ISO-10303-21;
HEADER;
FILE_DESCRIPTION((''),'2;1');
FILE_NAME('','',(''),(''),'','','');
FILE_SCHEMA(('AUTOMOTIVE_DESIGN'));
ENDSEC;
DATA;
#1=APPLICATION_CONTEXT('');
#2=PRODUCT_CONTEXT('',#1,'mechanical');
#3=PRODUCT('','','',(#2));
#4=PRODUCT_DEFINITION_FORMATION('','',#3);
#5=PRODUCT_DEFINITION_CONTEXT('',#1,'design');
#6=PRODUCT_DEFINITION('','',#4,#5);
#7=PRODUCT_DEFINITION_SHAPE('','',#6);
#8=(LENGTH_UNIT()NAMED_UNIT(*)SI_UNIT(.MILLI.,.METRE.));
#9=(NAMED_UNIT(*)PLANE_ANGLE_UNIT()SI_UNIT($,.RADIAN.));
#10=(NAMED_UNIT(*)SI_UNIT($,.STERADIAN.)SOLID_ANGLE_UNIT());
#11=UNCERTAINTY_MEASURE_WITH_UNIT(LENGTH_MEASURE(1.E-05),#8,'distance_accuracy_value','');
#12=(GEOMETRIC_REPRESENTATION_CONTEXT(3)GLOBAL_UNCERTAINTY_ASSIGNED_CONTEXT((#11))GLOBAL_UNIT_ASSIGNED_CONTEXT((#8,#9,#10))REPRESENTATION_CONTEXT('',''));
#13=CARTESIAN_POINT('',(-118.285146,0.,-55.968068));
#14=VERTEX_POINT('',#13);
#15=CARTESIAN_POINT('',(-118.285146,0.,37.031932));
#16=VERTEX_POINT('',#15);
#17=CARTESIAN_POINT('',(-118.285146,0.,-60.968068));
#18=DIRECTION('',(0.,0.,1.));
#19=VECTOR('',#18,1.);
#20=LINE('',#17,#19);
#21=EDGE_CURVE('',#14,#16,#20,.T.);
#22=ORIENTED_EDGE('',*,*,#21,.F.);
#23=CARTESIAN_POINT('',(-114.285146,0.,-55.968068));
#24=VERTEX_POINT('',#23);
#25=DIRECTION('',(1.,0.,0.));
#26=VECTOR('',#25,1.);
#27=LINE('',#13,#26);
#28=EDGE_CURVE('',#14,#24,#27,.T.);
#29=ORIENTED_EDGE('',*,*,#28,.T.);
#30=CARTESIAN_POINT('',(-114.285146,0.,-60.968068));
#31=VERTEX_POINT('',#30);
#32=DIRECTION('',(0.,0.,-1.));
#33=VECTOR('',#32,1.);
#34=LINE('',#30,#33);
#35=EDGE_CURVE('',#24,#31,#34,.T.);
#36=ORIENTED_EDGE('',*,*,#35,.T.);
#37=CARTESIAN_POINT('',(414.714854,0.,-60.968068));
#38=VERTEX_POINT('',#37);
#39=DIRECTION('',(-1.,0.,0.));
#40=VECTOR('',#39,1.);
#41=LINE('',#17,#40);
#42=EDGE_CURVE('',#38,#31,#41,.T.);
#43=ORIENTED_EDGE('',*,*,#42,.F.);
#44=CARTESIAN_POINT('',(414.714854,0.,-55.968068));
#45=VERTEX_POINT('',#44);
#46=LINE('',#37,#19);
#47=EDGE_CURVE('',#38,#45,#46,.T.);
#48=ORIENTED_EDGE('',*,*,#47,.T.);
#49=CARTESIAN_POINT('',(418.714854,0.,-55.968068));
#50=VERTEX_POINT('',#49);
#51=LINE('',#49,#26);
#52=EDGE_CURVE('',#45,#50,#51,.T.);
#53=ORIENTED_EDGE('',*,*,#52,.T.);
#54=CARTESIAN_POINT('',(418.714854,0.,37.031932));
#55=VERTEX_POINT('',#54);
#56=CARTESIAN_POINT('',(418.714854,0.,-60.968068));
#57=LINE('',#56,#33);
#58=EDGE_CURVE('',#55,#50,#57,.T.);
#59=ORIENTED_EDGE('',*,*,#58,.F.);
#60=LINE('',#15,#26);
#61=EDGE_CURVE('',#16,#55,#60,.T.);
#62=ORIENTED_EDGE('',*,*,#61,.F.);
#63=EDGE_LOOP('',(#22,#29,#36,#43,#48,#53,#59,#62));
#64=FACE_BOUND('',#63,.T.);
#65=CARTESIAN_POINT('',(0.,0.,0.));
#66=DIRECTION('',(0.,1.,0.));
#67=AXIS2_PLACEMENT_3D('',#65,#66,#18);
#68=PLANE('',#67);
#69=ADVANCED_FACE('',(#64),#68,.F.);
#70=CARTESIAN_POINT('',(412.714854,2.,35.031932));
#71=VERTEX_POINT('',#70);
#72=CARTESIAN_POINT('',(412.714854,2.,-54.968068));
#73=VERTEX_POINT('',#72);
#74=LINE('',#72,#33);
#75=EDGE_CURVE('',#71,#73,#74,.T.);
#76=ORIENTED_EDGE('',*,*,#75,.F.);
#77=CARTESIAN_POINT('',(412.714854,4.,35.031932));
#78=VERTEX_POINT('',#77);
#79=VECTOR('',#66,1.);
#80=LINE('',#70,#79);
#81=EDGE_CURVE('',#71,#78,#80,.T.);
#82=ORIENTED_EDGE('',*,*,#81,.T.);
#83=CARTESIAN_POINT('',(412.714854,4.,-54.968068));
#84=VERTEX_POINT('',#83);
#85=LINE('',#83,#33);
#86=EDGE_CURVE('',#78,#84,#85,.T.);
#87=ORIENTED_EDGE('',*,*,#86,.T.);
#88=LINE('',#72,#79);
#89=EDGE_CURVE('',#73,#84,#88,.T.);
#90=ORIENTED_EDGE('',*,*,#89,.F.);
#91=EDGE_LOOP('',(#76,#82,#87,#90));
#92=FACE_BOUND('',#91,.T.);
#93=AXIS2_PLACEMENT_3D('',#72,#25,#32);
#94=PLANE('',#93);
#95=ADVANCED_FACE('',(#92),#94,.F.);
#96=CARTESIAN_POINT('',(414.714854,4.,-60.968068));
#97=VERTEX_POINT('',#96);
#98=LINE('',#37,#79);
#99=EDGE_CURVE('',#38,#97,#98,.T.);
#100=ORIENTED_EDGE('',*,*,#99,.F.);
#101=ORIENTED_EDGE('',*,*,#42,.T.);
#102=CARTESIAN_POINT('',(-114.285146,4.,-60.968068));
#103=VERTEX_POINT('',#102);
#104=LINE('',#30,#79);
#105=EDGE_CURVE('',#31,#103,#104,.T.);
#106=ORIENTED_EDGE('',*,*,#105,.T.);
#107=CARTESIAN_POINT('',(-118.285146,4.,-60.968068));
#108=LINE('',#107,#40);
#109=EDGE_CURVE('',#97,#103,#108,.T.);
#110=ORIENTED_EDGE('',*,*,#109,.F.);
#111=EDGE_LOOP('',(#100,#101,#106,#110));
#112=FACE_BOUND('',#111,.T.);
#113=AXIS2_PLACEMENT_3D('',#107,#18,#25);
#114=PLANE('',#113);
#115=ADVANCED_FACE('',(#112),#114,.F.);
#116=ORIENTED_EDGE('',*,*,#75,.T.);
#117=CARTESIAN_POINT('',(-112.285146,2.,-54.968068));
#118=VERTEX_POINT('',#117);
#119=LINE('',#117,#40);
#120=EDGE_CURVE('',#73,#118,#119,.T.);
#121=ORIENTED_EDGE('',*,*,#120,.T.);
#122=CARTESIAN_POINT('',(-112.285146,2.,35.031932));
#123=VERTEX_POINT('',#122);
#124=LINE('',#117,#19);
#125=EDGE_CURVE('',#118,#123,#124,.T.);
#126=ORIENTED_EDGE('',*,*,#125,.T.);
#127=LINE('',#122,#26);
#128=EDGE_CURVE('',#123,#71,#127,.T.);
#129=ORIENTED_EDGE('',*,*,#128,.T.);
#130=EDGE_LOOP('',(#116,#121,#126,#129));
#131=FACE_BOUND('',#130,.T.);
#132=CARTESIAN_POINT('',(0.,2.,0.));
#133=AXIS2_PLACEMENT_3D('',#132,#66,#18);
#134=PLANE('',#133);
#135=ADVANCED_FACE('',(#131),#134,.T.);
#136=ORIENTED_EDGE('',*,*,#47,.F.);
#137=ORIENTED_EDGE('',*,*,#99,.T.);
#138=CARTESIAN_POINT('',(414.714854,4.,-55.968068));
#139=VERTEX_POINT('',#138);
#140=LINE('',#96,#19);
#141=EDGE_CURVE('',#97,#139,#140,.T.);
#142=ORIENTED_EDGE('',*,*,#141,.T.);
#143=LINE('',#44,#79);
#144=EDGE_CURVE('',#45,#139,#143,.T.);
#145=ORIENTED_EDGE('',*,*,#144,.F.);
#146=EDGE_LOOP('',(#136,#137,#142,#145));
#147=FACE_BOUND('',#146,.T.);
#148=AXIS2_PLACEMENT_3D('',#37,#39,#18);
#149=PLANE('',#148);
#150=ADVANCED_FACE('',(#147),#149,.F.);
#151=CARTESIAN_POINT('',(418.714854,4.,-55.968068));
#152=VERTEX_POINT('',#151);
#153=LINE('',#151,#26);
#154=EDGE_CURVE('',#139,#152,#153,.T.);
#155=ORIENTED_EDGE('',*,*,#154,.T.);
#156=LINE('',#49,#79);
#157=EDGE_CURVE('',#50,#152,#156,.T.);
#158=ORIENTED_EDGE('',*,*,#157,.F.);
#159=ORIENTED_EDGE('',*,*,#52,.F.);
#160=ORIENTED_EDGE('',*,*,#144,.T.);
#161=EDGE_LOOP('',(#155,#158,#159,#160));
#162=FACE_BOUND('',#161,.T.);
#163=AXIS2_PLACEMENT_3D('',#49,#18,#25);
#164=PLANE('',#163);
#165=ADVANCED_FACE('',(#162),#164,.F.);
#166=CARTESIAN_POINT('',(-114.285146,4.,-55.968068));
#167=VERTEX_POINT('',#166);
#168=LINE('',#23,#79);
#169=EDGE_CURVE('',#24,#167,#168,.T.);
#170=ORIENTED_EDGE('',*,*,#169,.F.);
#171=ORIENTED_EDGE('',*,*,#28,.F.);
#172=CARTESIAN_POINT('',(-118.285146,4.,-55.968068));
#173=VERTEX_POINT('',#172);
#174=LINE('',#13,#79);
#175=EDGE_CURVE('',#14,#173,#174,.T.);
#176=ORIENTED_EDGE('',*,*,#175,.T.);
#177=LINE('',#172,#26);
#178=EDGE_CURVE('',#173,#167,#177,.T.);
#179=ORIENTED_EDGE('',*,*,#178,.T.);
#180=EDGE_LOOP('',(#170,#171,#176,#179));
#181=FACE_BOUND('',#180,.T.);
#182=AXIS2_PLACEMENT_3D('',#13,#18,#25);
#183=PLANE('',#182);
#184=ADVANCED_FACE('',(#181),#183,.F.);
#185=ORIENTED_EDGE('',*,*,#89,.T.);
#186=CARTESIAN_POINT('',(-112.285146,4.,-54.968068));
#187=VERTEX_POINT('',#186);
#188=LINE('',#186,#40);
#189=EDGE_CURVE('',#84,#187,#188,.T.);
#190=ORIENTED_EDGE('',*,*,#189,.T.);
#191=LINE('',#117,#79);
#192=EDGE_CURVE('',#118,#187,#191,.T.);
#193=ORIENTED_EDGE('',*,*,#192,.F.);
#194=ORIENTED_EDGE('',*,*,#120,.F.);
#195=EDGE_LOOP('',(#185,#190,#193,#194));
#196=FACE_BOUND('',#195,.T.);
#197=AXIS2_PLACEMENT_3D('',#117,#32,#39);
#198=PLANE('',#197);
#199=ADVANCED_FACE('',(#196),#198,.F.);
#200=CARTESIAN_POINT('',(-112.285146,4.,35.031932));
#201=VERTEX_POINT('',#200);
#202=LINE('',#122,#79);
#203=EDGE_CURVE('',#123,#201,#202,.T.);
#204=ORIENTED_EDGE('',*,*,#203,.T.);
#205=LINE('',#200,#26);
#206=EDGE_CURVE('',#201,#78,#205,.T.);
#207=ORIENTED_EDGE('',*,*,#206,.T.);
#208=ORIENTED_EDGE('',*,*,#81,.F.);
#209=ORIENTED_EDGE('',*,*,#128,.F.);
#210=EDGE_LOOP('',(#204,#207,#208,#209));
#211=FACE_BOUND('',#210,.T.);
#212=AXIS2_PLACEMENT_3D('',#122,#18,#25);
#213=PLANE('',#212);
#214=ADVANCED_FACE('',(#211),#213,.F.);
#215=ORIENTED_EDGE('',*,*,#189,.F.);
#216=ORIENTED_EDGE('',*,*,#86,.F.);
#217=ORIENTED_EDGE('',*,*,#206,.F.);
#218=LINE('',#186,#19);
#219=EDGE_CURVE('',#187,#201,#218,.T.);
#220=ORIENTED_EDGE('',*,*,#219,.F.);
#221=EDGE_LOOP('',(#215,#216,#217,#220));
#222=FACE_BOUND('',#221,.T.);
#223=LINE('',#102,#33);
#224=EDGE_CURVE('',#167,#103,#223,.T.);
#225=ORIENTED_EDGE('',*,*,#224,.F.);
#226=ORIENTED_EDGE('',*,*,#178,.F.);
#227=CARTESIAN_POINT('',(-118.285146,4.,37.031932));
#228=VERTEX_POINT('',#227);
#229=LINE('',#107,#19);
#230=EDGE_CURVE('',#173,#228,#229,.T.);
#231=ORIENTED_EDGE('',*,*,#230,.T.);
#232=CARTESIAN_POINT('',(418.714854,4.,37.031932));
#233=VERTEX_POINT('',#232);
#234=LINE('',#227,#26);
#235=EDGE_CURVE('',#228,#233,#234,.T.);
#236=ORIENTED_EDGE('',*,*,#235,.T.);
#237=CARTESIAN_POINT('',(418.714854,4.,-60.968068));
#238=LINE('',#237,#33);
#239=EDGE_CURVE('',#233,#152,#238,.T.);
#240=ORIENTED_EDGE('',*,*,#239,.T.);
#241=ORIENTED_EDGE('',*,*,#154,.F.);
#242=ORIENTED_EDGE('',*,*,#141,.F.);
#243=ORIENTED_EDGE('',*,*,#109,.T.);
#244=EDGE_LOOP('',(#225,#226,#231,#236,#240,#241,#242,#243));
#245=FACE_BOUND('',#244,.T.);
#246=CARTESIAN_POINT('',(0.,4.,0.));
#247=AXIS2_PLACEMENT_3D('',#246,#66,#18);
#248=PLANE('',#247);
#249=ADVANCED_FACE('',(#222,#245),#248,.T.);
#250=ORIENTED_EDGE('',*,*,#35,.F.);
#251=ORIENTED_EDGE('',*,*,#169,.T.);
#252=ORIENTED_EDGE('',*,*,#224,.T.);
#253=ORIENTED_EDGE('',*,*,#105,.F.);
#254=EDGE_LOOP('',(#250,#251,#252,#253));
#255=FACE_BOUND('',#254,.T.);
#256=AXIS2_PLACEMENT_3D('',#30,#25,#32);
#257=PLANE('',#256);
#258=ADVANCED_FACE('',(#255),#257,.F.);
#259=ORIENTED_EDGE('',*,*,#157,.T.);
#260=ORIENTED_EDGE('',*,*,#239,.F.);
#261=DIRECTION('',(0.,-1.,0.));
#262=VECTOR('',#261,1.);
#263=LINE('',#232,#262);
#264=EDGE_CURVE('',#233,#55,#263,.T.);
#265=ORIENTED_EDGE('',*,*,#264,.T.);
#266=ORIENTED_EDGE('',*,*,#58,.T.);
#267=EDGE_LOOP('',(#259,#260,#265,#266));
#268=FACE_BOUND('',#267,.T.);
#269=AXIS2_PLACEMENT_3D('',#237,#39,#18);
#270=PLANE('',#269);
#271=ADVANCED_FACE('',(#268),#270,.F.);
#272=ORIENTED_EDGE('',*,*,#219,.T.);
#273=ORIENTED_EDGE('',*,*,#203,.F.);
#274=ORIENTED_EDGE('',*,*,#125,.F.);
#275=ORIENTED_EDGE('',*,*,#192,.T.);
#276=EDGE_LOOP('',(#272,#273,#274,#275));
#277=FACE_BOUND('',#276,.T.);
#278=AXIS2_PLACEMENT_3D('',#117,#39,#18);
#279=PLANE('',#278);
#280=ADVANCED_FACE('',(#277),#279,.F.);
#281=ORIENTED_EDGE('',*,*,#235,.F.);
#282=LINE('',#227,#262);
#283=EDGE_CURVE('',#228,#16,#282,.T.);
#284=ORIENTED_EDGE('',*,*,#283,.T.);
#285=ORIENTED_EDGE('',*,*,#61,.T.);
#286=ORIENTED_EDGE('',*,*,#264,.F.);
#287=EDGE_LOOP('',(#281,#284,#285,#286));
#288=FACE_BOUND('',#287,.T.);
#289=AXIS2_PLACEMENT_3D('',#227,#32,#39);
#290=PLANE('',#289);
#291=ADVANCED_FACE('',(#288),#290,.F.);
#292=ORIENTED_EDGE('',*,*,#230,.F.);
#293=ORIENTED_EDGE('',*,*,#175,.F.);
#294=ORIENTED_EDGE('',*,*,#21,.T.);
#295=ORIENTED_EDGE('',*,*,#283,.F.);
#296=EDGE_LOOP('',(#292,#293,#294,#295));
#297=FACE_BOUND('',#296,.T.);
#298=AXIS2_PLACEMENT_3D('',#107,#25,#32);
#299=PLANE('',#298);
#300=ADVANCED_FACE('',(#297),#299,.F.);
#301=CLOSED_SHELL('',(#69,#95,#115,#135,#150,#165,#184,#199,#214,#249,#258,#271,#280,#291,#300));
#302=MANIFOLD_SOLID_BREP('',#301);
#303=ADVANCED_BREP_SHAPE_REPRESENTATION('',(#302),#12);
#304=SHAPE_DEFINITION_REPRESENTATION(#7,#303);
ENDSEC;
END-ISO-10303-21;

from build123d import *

# Parameters (mm, degrees)
SKETCH1_W           = 537
SKETCH1_H           = 98
BOSS_EXTRUDE1_DEPTH = 4
SKETCH2_W           = 525
SKETCH2_H           = 90
CUT_EXTRUDE1_DEPTH  = 2
SKETCH3_W           = 4
SKETCH3_H           = 5
CUT_EXTRUDE2_DEPTH  = 4


with BuildPart() as part:
    # Sketch1 → Boss-Extrude1 (new body)
    with BuildSketch(Plane(origin=(0, 0, 0), x_dir=(1, 0, 0), z_dir=(0, 1, 0))):
        with Locations((150.214854374, 11.968067941)):
            Rectangle(SKETCH1_W, SKETCH1_H)
    extrude(amount=BOSS_EXTRUDE1_DEPTH)

    # Sketch2 → Cut-Extrude1 (cut)
    with BuildSketch(Plane(origin=(0, 4, 0), x_dir=(1, 0, 0), z_dir=(0, 1, 0))):
        with Locations((150.214854374, 9.968067941)):
            Rectangle(SKETCH2_W, SKETCH2_H)
    extrude(amount=-CUT_EXTRUDE1_DEPTH, mode=Mode.SUBTRACT)

    # Sketch3 → Cut-Extrude2 (cut)
    with BuildSketch(Plane(origin=(0, 4, 0), x_dir=(1, 0, 0), z_dir=(0, 1, 0))):
        with Locations((-116.285145626, 58.468067941)):
            Rectangle(SKETCH3_W, SKETCH3_H)
        with Locations((416.714854374, 58.468067941)):
            Rectangle(SKETCH3_W, SKETCH3_H)
    extrude(amount=-CUT_EXTRUDE2_DEPTH, mode=Mode.SUBTRACT)


solid = part.part
